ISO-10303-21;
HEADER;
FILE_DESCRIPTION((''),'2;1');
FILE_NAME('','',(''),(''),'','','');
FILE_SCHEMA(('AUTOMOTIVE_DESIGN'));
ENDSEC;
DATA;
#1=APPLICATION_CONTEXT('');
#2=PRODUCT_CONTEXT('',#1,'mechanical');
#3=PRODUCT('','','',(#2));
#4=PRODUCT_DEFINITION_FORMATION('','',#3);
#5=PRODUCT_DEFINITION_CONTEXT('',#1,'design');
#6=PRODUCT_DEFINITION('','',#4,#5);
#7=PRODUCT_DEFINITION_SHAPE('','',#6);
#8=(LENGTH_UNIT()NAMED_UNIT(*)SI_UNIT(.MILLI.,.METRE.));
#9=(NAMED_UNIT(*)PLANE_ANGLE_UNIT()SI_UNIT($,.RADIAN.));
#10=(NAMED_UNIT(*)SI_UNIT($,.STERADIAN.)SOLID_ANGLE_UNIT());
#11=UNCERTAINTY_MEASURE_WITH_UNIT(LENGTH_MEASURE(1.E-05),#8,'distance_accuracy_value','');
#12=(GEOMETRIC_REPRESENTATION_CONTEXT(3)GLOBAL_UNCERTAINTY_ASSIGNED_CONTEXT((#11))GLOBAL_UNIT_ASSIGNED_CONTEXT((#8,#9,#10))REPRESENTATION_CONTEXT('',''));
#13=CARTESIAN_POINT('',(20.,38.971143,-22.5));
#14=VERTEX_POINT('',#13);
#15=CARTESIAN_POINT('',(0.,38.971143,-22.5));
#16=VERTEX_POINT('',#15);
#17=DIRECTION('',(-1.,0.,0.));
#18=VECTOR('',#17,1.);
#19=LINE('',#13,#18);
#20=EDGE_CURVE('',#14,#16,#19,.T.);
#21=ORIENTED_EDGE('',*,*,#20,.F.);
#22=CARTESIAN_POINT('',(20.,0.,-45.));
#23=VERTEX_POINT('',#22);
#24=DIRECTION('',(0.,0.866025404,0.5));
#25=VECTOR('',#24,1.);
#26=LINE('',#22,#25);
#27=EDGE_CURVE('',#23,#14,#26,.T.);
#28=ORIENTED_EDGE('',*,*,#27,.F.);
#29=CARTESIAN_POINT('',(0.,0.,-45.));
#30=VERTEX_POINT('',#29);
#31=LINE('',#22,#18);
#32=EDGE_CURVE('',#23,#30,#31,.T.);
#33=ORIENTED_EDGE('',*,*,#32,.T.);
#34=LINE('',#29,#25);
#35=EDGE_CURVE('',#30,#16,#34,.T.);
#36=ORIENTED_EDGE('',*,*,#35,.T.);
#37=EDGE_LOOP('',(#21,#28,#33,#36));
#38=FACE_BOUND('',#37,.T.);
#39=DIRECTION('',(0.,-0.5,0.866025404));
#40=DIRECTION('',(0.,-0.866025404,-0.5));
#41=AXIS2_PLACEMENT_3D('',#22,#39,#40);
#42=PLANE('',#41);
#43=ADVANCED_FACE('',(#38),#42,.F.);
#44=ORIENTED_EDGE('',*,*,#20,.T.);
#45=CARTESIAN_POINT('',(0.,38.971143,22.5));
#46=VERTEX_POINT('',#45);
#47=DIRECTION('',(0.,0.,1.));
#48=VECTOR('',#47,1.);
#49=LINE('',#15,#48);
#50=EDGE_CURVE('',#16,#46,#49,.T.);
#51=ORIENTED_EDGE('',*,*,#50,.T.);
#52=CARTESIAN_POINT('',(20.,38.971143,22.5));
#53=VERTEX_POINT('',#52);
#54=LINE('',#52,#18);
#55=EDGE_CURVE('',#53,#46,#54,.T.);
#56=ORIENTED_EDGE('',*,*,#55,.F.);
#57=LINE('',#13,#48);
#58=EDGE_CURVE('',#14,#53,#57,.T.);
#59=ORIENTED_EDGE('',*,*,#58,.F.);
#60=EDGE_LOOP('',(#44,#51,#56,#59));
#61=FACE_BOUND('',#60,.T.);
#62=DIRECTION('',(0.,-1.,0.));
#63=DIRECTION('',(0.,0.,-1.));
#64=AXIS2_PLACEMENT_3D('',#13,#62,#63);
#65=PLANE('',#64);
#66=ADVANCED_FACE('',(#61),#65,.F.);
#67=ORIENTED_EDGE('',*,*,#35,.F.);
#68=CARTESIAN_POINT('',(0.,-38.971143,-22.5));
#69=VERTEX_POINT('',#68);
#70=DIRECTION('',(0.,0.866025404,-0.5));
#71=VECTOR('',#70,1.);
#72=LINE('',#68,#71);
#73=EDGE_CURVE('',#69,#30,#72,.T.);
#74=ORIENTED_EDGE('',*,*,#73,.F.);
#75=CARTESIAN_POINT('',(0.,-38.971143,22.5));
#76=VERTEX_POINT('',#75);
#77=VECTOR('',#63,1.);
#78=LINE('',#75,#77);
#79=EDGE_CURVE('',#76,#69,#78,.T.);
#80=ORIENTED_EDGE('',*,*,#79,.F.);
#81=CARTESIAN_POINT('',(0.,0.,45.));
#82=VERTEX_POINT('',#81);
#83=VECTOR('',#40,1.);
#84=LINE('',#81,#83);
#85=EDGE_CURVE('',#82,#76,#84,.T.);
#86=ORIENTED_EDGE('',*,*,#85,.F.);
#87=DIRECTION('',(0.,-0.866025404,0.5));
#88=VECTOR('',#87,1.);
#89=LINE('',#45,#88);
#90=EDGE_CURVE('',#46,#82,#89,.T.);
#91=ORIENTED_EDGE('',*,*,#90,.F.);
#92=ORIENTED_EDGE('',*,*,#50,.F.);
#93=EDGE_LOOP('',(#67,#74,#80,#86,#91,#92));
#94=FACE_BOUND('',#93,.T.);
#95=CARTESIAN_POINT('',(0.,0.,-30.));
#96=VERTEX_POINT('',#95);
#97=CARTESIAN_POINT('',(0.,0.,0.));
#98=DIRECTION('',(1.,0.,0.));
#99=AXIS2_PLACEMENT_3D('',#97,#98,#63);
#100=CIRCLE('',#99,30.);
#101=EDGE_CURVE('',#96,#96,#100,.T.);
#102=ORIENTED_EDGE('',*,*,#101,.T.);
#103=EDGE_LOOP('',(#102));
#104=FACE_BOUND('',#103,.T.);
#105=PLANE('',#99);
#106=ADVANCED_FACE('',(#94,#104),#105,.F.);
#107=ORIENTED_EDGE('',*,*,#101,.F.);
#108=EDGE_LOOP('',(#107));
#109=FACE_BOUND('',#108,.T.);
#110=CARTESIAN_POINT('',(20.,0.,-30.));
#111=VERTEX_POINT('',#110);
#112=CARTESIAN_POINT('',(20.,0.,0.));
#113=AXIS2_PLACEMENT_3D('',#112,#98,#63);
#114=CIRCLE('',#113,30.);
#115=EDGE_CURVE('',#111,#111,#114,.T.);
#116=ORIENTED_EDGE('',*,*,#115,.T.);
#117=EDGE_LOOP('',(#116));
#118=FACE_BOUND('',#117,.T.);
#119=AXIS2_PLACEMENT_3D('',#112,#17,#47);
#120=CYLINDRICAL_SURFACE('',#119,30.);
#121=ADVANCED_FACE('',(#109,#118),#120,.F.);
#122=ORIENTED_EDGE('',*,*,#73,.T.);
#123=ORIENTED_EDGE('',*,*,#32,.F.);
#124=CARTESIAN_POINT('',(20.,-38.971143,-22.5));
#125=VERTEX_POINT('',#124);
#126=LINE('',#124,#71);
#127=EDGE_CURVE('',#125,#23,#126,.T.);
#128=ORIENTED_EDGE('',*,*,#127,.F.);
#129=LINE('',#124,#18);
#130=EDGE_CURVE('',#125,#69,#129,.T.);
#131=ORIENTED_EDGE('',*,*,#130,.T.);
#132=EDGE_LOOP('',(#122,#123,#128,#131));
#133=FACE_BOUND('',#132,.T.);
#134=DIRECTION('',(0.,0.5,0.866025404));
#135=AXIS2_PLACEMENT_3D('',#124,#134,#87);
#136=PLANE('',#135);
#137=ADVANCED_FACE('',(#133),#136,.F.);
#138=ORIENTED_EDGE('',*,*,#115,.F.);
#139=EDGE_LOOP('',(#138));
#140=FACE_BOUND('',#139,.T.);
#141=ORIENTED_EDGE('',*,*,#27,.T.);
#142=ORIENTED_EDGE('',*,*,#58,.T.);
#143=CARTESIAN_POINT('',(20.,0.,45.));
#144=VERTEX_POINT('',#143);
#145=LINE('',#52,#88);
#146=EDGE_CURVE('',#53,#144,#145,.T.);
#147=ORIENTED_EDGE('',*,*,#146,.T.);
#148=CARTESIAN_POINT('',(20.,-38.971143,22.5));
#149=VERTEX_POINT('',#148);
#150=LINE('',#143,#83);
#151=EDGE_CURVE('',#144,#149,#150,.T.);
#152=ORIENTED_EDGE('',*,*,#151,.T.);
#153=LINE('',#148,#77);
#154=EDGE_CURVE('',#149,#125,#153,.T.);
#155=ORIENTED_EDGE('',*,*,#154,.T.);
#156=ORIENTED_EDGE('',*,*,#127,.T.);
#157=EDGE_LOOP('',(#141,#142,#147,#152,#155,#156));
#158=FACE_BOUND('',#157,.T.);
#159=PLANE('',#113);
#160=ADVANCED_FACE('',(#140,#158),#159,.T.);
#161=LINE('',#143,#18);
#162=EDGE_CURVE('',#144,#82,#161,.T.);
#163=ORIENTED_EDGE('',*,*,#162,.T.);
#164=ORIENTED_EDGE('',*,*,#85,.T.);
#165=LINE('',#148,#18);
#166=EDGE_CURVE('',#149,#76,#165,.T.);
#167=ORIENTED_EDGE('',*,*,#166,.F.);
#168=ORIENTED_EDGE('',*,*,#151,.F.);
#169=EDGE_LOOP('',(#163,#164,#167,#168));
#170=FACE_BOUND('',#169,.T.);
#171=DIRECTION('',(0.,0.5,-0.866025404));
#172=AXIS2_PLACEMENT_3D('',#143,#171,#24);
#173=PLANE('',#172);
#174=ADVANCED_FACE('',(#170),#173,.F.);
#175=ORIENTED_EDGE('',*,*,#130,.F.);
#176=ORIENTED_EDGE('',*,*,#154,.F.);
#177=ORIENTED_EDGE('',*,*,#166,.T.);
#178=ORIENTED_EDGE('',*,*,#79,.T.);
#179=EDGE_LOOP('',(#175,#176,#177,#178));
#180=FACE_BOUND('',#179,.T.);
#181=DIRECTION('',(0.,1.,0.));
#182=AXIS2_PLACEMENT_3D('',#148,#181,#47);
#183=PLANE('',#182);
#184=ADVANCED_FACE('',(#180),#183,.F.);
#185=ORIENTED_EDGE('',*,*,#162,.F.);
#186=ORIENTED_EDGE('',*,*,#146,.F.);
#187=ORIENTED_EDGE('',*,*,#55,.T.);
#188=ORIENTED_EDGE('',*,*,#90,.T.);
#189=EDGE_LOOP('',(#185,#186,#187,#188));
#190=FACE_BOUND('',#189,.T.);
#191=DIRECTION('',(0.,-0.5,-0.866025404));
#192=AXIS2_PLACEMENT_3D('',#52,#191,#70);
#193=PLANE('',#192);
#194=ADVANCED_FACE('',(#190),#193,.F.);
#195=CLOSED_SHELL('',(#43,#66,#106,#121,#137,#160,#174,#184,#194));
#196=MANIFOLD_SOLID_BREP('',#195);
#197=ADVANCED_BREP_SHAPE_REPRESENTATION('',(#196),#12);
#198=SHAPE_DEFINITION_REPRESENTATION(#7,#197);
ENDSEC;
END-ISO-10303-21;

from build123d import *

# Parameters (mm, degrees)
SKETCH1_R           = 30
BOSS_EXTRUDE1_DEPTH = 20


with BuildPart() as part:
    # Sketch1 → Boss-Extrude1 (new body)
    with BuildSketch(Plane(origin=(0, 0, 0), x_dir=(0, 0, -1), z_dir=(1, 0, 0))):
        Polygon((45, 0), (22.5, 38.97114317), (-22.5, 38.97114317), (-45, 0), (-22.5, -38.97114317), (22.5, -38.97114317), align=None)
        Circle(SKETCH1_R, mode=Mode.SUBTRACT)
    extrude(amount=BOSS_EXTRUDE1_DEPTH)


solid = part.part
